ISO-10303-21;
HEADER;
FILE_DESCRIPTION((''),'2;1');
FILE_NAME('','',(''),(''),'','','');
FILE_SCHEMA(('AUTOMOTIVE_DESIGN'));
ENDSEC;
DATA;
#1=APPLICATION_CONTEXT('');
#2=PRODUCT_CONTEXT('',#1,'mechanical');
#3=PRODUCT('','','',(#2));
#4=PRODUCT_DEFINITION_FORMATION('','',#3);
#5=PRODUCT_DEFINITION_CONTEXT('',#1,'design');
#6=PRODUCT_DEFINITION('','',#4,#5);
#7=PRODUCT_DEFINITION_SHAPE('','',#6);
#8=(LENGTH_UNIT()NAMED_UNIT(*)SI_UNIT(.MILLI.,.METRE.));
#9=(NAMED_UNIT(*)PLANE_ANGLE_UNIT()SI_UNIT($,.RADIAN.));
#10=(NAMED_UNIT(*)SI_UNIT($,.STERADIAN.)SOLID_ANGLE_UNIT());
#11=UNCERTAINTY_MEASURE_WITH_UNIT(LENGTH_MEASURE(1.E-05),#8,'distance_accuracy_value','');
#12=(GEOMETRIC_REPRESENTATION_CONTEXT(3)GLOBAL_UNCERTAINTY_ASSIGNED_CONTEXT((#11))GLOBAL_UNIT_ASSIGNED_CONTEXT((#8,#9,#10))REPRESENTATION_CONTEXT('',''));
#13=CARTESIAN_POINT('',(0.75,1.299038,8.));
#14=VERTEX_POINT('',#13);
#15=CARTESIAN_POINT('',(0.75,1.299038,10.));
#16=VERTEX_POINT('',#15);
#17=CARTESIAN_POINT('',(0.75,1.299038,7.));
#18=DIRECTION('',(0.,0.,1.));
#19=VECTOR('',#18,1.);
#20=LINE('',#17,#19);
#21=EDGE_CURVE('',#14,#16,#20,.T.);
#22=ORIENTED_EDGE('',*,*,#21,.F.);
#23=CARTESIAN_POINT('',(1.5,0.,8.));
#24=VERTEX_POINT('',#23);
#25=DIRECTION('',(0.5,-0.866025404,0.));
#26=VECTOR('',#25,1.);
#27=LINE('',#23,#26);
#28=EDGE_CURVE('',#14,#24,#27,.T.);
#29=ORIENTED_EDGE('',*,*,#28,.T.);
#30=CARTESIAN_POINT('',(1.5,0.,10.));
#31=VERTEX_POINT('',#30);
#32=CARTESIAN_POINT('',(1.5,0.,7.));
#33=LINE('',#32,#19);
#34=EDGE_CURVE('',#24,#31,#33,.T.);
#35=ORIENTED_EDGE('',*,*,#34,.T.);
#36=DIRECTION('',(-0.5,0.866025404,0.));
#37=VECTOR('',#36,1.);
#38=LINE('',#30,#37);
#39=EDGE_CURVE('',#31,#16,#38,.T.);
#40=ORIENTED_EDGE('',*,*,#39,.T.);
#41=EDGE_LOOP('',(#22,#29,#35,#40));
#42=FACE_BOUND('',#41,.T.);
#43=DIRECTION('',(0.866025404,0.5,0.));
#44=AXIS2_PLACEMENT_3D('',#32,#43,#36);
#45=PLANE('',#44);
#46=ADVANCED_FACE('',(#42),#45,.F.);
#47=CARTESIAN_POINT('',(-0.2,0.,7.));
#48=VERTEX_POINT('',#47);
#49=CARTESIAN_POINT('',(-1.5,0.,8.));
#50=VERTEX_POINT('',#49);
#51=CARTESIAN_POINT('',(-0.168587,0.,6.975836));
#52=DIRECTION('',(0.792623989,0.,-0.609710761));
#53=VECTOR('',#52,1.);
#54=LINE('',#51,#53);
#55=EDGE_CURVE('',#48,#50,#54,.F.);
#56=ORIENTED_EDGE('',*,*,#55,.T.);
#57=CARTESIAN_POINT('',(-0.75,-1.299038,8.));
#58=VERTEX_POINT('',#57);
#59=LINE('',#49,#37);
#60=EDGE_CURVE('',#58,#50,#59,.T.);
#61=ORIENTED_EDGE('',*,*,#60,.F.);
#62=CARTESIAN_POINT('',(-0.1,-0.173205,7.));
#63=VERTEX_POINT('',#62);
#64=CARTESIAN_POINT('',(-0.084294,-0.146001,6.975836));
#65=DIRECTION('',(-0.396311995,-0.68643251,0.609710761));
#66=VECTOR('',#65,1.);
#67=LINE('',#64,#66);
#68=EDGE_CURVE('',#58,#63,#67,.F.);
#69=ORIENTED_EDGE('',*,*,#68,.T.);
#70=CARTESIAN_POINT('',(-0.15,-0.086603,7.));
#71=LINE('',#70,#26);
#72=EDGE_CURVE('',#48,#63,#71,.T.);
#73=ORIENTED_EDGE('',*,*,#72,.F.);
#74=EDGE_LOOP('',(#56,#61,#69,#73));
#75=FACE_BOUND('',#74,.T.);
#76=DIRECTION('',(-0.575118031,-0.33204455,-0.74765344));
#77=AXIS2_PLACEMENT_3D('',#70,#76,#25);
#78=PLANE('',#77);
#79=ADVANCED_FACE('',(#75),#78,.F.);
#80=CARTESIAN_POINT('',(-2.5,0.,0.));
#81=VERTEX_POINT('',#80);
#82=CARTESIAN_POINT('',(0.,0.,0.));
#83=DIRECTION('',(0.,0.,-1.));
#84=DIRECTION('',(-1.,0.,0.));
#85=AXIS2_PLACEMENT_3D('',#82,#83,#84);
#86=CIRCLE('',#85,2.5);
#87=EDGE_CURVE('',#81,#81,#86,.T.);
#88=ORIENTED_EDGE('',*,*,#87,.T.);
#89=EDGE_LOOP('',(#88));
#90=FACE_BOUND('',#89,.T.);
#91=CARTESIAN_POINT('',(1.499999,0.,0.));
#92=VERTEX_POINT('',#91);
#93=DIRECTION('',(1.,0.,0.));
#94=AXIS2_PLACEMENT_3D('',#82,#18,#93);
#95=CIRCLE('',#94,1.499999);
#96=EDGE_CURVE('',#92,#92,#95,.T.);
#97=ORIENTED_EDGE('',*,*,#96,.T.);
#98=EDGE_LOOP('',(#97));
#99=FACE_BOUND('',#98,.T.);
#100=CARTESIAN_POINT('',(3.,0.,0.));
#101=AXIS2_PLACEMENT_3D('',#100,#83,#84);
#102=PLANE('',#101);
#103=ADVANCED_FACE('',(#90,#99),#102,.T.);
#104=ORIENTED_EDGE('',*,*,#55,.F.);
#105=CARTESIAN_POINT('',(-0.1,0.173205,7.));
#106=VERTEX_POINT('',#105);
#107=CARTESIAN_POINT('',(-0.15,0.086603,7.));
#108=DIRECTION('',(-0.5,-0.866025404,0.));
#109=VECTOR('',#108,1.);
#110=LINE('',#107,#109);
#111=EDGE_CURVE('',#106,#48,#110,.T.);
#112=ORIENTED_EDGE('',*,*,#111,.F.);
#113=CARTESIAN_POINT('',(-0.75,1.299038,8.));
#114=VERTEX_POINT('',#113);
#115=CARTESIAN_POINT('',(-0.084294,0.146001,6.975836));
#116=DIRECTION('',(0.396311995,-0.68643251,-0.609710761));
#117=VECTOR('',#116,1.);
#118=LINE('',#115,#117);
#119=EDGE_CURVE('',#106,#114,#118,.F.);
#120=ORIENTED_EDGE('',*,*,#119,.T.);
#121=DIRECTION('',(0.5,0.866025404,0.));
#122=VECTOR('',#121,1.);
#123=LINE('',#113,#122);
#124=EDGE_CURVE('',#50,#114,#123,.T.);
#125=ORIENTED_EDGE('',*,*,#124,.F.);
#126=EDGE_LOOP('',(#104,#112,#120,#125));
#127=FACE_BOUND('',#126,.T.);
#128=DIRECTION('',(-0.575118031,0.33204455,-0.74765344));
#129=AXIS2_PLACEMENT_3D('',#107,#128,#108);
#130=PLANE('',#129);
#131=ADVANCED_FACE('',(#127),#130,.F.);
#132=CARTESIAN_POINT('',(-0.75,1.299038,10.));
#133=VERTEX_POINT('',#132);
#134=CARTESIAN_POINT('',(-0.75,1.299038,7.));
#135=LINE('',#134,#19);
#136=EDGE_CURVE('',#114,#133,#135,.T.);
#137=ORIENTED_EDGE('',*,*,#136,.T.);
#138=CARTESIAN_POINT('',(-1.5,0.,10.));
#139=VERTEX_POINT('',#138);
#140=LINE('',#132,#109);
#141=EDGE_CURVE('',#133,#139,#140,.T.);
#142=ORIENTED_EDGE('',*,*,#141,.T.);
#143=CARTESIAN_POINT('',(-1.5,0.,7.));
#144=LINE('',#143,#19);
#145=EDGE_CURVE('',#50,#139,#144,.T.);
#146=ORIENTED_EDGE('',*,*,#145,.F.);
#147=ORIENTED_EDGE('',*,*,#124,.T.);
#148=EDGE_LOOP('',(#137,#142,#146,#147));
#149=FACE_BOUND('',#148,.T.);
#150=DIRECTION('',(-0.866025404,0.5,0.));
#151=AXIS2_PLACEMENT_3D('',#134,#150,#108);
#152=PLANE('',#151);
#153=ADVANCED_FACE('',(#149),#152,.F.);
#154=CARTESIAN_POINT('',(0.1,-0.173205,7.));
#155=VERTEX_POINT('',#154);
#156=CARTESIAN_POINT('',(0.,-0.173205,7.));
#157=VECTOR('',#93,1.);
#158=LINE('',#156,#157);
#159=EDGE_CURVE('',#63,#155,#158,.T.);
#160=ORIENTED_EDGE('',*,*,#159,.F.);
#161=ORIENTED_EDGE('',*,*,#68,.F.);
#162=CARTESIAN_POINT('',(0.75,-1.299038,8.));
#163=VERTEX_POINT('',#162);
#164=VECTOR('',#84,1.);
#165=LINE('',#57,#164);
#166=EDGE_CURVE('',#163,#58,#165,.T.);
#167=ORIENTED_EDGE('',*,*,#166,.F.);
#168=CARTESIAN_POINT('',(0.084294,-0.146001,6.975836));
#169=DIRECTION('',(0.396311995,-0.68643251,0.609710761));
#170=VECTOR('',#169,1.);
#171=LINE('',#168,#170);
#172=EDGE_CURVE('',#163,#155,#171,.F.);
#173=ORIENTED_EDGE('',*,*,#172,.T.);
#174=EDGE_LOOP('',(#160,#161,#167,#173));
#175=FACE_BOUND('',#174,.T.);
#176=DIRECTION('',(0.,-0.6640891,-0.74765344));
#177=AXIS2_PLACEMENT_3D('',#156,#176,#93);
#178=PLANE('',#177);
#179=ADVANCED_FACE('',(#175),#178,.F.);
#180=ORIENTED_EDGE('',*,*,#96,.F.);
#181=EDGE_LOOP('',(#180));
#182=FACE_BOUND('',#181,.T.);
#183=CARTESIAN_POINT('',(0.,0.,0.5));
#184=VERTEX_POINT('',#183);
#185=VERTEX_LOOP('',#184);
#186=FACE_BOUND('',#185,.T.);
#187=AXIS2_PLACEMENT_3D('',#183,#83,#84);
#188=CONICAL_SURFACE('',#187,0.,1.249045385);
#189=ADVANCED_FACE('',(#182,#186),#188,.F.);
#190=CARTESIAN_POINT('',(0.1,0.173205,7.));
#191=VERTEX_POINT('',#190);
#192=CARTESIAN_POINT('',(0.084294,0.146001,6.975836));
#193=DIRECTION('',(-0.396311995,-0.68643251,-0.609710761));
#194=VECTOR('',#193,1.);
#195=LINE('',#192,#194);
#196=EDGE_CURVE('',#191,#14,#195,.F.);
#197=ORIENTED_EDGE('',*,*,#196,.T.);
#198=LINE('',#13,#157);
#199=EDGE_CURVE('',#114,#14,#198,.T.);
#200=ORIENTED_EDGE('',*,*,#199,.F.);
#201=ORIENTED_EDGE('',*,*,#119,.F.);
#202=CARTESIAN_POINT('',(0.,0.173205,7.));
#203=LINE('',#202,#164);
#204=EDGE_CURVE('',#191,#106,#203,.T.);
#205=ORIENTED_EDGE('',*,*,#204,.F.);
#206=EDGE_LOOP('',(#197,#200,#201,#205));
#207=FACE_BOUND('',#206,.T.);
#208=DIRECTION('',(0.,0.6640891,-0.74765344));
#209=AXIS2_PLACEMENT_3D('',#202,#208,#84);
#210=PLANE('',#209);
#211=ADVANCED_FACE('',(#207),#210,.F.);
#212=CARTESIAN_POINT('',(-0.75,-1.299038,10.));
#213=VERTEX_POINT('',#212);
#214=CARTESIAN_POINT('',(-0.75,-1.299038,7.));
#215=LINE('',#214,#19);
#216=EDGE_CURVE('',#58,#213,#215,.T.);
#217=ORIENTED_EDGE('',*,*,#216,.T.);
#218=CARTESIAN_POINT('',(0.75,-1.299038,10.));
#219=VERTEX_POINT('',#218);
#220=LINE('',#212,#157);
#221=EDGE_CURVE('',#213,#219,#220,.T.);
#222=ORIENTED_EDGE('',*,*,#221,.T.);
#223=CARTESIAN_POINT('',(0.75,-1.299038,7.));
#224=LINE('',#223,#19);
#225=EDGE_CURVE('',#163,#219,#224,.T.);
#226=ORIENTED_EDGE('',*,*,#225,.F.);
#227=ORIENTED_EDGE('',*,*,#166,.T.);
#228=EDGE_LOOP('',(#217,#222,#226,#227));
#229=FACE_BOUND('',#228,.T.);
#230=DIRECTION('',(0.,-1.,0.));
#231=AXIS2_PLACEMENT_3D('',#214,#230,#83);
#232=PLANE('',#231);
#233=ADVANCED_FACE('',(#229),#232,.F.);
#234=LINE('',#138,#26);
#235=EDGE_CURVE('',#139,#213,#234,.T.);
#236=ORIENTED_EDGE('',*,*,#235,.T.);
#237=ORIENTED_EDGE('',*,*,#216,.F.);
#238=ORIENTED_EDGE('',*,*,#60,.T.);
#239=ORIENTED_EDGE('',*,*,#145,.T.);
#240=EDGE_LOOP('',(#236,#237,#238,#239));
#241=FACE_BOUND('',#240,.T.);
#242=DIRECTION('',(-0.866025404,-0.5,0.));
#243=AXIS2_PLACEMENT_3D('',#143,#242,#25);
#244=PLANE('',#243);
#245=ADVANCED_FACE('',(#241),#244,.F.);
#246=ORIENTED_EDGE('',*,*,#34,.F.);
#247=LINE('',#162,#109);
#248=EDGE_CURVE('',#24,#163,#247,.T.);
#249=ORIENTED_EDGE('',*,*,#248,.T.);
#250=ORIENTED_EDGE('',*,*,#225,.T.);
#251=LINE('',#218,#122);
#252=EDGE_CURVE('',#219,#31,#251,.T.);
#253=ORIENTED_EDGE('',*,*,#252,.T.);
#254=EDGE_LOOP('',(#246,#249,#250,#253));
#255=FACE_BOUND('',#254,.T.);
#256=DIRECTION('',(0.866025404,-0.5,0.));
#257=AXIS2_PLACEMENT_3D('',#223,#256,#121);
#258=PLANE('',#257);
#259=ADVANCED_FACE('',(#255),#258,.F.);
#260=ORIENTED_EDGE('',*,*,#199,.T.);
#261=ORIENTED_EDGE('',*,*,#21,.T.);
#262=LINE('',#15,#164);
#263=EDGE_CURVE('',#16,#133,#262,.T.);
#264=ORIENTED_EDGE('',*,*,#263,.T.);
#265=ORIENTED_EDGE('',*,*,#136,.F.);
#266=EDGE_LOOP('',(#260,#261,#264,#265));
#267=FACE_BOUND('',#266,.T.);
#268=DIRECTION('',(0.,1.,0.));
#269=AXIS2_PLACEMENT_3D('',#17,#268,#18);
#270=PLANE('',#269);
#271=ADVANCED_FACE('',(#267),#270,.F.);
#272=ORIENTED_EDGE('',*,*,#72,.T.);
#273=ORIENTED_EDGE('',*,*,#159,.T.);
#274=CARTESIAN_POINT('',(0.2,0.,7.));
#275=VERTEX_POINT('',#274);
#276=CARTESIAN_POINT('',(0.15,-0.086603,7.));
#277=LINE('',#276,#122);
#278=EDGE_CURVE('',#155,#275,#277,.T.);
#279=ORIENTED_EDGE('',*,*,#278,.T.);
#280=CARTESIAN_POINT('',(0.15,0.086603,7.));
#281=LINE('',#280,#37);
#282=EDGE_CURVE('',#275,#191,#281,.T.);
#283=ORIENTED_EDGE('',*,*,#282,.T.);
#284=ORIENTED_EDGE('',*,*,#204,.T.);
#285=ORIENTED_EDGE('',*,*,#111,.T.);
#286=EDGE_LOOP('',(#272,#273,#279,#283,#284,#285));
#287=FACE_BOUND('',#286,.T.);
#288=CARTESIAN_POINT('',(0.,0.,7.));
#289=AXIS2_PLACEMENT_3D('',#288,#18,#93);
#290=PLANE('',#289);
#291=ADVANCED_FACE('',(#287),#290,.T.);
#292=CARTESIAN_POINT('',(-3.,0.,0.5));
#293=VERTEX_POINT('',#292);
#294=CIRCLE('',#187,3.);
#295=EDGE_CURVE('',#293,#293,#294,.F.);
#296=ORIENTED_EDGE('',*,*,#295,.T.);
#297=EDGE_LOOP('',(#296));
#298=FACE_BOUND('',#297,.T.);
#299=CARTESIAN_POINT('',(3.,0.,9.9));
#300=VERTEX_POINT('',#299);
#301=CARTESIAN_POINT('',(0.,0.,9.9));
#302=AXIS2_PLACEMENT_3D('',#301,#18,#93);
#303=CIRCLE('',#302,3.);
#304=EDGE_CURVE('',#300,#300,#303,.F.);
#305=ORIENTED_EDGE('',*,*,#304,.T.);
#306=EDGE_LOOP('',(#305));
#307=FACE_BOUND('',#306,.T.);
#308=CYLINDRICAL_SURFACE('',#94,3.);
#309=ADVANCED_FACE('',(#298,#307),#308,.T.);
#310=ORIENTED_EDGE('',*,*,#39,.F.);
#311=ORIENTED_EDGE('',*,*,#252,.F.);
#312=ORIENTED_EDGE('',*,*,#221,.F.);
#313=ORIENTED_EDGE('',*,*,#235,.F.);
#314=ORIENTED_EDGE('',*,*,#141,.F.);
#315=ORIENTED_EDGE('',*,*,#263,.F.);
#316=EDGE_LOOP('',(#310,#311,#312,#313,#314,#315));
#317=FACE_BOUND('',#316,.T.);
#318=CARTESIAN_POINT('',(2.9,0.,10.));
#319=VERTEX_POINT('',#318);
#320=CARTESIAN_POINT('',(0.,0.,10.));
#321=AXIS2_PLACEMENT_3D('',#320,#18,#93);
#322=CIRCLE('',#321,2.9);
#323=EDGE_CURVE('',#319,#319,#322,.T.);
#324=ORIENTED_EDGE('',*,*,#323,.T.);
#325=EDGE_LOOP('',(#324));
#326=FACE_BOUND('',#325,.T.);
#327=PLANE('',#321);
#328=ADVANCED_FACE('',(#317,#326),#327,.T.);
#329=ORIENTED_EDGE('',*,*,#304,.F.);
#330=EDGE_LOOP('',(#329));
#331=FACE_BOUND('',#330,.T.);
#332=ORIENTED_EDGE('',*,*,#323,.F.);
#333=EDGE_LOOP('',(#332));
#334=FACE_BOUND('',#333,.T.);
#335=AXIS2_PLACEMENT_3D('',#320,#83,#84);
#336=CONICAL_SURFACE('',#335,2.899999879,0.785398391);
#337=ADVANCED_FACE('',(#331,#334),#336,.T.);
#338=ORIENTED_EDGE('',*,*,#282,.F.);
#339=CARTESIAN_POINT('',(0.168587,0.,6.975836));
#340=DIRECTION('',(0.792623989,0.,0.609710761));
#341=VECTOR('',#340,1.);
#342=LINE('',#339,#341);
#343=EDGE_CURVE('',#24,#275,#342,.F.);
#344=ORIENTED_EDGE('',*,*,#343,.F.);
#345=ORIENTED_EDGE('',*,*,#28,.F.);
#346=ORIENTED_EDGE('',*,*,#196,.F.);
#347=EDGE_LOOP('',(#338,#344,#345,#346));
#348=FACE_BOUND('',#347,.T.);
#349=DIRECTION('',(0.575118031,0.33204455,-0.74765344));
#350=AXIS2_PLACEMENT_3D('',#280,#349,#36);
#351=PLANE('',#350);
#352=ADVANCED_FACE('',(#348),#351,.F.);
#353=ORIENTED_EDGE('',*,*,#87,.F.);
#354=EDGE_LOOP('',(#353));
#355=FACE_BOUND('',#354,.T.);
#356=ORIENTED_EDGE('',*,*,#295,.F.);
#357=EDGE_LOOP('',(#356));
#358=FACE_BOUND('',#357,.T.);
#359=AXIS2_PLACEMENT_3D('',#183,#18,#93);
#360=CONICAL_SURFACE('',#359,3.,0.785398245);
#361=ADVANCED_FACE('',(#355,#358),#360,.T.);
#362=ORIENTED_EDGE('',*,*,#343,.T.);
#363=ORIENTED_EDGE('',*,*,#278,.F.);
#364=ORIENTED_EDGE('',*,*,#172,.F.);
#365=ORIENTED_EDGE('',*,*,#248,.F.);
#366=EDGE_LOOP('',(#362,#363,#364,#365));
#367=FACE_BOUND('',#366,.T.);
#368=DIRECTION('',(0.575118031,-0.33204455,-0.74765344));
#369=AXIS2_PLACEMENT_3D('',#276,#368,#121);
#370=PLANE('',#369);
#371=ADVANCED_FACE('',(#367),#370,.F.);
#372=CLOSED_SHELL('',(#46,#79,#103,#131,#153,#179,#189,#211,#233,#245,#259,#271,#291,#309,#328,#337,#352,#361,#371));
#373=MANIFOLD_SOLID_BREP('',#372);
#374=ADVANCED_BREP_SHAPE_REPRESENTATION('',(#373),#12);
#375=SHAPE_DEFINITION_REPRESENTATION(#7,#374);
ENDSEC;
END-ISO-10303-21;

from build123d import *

# Parameters (mm, degrees)
SKETCH_1_W          = 3
SKETCH_1_H          = 10
CUT_EXTRUDE_1_DEPTH = 3
CHAMFER_1_SIZE      = 0.100000121
CHAMFER_1_SIZE2     = 0.100000075
CHAMFER_2_SIZE      = 1.125833025
CHAMFER_2_SIZE2     = 1
CHAMFER_3_SIZE      = 0.500000325
CHAMFER_3_SIZE2     = 0.500000243


with BuildPart() as part:
    # 草图1 → 旋转1 (revolve)
    with BuildSketch(Plane(origin=(0, 0, 0), x_dir=(1, 0, 0), z_dir=(0, 1, 0))):
        with Locations((1.5, -5)):
            Rectangle(SKETCH_1_W, SKETCH_1_H)
    revolve(axis=Axis((0, 0, 0), (0, 0, 1)))

    # 草图2 → 切除-拉伸1 (cut)
    with BuildSketch(Plane.XY.offset(10)):
        Polygon((0.75, -1.299038106), (1.5, 0), (0.75, 1.299038106), (-0.75, 1.299038106), (-1.5, 0), (-0.75, -1.299038106), align=None)
    extrude(amount=-CUT_EXTRUDE_1_DEPTH, mode=Mode.SUBTRACT)

    # 草图3 → 切除-旋转1 (revolve, cut)
    with BuildSketch(Plane(origin=(0, 0, 0), x_dir=(1, 0, 0), z_dir=(0, 1, 0)), mode=Mode.PRIVATE) as cut_revolve_1_sk:
        Polygon((1.499999, 0), (0, 0), (0, -0.500000312), align=None)
    revolve(cut_revolve_1_sk.sketch.rotate(Axis((0, 0, -2.5e-05), (0, 0, 1)), 180), axis=Axis((0, 0, -2.5e-05), (0, 0, 1)), mode=Mode.SUBTRACT)

    # 倒角1
    chamfer_1_edges = [part.edges().sort_by_distance(p)[0] for p in [
        (-3, 0, 10),
    ]]
    chamfer_1_side = [part.faces().sort_by_distance(p)[0] for p in [
        (-3, 0, 5),
    ]]
    chamfer(chamfer_1_edges, length=CHAMFER_1_SIZE, length2=CHAMFER_1_SIZE2, reference=chamfer_1_side[0])

    # 倒角2
    chamfer_2_edges = [part.edges().sort_by_distance(p)[0] for p in [
        (0, -1.299038106, 7),
        (-1.125, -0.649519053, 7),
        (-1.125, 0.649519053, 7),
        (0, 1.299038106, 7),
        (1.125, 0.649519053, 7),
        (1.125, -0.649519053, 7),
    ]]
    chamfer_2_side = [part.faces().sort_by_distance(p)[0] for p in [
        (0, 0, 7),
    ]]
    chamfer(chamfer_2_edges, length=CHAMFER_2_SIZE, length2=CHAMFER_2_SIZE2, reference=chamfer_2_side[0])

    # 倒角3
    chamfer_3_edges = [part.edges().sort_by_distance(p)[0] for p in [
        (-3, 0, 0),
    ]]
    chamfer_3_side = [part.faces().sort_by_distance(p)[0] for p in [
        (-3, 0, 4.94999994),
    ]]
    chamfer(chamfer_3_edges, length=CHAMFER_3_SIZE, length2=CHAMFER_3_SIZE2, reference=chamfer_3_side[0])


solid = part.part
